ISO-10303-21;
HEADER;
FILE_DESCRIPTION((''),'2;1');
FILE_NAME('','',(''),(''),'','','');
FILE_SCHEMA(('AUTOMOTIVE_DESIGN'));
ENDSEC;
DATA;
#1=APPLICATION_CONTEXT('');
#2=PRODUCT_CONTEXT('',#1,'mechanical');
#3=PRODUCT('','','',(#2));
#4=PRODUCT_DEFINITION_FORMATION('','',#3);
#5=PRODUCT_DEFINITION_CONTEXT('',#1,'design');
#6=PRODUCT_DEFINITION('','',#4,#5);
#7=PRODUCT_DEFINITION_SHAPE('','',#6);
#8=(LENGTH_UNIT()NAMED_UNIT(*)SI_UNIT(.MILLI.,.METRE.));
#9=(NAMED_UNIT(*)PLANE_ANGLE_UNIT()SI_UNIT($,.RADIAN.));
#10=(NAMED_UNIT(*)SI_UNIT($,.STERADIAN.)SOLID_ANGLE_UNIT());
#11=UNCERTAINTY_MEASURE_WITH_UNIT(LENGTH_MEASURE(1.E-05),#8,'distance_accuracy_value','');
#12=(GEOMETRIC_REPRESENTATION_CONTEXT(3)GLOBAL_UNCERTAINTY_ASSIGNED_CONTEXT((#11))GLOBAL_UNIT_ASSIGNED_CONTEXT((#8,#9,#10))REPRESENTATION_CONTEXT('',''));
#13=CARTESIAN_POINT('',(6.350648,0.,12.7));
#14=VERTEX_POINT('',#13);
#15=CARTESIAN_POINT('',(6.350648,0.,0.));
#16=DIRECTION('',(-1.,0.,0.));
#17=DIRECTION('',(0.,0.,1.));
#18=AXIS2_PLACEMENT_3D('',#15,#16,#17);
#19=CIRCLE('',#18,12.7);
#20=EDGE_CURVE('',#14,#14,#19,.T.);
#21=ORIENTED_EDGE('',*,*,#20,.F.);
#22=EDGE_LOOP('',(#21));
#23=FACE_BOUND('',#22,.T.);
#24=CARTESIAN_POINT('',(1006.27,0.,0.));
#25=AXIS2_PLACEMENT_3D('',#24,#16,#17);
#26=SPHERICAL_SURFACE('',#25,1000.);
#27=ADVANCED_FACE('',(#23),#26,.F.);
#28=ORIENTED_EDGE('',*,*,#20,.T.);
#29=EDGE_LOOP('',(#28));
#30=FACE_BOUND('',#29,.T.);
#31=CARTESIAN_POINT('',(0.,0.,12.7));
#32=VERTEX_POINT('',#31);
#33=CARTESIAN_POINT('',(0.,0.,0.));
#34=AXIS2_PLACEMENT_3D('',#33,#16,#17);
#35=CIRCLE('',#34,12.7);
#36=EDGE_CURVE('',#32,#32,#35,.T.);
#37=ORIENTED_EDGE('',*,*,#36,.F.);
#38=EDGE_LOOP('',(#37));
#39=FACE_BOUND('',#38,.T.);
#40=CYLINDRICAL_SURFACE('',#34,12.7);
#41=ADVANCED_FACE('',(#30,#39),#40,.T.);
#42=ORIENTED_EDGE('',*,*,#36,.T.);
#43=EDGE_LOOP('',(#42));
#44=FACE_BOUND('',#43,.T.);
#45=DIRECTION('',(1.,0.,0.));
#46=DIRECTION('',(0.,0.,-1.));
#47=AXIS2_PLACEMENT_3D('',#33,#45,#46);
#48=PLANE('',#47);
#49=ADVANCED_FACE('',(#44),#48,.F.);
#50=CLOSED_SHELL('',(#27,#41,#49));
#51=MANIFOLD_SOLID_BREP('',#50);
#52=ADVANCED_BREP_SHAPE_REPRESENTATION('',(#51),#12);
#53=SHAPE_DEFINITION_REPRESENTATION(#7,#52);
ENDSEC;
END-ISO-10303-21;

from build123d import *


with BuildPart() as part:
    # 草图1 → 旋转1 (revolve)
    with BuildSketch(Plane(origin=(0, 0, 0), x_dir=(1, 0, 0), z_dir=(0, 1, 0)), mode=Mode.PRIVATE) as revolve_1_sk:
        with BuildLine():
            Line((0, 0), (6.27, 0))
            ThreePointArc((6.27, 0), (6.290162266, 6.350128033), (6.350648252, 12.7))
            Line((6.350648252, 12.7), (0, 12.7))
            Line((0, 12.7), (0, 0))
        make_face()
    revolve(revolve_1_sk.sketch.rotate(Axis((0, 0, 0), (1, 0, 0)), 180), axis=Axis((0, 0, 0), (1, 0, 0)))  # turned: the seam where the file's is


solid = part.part
